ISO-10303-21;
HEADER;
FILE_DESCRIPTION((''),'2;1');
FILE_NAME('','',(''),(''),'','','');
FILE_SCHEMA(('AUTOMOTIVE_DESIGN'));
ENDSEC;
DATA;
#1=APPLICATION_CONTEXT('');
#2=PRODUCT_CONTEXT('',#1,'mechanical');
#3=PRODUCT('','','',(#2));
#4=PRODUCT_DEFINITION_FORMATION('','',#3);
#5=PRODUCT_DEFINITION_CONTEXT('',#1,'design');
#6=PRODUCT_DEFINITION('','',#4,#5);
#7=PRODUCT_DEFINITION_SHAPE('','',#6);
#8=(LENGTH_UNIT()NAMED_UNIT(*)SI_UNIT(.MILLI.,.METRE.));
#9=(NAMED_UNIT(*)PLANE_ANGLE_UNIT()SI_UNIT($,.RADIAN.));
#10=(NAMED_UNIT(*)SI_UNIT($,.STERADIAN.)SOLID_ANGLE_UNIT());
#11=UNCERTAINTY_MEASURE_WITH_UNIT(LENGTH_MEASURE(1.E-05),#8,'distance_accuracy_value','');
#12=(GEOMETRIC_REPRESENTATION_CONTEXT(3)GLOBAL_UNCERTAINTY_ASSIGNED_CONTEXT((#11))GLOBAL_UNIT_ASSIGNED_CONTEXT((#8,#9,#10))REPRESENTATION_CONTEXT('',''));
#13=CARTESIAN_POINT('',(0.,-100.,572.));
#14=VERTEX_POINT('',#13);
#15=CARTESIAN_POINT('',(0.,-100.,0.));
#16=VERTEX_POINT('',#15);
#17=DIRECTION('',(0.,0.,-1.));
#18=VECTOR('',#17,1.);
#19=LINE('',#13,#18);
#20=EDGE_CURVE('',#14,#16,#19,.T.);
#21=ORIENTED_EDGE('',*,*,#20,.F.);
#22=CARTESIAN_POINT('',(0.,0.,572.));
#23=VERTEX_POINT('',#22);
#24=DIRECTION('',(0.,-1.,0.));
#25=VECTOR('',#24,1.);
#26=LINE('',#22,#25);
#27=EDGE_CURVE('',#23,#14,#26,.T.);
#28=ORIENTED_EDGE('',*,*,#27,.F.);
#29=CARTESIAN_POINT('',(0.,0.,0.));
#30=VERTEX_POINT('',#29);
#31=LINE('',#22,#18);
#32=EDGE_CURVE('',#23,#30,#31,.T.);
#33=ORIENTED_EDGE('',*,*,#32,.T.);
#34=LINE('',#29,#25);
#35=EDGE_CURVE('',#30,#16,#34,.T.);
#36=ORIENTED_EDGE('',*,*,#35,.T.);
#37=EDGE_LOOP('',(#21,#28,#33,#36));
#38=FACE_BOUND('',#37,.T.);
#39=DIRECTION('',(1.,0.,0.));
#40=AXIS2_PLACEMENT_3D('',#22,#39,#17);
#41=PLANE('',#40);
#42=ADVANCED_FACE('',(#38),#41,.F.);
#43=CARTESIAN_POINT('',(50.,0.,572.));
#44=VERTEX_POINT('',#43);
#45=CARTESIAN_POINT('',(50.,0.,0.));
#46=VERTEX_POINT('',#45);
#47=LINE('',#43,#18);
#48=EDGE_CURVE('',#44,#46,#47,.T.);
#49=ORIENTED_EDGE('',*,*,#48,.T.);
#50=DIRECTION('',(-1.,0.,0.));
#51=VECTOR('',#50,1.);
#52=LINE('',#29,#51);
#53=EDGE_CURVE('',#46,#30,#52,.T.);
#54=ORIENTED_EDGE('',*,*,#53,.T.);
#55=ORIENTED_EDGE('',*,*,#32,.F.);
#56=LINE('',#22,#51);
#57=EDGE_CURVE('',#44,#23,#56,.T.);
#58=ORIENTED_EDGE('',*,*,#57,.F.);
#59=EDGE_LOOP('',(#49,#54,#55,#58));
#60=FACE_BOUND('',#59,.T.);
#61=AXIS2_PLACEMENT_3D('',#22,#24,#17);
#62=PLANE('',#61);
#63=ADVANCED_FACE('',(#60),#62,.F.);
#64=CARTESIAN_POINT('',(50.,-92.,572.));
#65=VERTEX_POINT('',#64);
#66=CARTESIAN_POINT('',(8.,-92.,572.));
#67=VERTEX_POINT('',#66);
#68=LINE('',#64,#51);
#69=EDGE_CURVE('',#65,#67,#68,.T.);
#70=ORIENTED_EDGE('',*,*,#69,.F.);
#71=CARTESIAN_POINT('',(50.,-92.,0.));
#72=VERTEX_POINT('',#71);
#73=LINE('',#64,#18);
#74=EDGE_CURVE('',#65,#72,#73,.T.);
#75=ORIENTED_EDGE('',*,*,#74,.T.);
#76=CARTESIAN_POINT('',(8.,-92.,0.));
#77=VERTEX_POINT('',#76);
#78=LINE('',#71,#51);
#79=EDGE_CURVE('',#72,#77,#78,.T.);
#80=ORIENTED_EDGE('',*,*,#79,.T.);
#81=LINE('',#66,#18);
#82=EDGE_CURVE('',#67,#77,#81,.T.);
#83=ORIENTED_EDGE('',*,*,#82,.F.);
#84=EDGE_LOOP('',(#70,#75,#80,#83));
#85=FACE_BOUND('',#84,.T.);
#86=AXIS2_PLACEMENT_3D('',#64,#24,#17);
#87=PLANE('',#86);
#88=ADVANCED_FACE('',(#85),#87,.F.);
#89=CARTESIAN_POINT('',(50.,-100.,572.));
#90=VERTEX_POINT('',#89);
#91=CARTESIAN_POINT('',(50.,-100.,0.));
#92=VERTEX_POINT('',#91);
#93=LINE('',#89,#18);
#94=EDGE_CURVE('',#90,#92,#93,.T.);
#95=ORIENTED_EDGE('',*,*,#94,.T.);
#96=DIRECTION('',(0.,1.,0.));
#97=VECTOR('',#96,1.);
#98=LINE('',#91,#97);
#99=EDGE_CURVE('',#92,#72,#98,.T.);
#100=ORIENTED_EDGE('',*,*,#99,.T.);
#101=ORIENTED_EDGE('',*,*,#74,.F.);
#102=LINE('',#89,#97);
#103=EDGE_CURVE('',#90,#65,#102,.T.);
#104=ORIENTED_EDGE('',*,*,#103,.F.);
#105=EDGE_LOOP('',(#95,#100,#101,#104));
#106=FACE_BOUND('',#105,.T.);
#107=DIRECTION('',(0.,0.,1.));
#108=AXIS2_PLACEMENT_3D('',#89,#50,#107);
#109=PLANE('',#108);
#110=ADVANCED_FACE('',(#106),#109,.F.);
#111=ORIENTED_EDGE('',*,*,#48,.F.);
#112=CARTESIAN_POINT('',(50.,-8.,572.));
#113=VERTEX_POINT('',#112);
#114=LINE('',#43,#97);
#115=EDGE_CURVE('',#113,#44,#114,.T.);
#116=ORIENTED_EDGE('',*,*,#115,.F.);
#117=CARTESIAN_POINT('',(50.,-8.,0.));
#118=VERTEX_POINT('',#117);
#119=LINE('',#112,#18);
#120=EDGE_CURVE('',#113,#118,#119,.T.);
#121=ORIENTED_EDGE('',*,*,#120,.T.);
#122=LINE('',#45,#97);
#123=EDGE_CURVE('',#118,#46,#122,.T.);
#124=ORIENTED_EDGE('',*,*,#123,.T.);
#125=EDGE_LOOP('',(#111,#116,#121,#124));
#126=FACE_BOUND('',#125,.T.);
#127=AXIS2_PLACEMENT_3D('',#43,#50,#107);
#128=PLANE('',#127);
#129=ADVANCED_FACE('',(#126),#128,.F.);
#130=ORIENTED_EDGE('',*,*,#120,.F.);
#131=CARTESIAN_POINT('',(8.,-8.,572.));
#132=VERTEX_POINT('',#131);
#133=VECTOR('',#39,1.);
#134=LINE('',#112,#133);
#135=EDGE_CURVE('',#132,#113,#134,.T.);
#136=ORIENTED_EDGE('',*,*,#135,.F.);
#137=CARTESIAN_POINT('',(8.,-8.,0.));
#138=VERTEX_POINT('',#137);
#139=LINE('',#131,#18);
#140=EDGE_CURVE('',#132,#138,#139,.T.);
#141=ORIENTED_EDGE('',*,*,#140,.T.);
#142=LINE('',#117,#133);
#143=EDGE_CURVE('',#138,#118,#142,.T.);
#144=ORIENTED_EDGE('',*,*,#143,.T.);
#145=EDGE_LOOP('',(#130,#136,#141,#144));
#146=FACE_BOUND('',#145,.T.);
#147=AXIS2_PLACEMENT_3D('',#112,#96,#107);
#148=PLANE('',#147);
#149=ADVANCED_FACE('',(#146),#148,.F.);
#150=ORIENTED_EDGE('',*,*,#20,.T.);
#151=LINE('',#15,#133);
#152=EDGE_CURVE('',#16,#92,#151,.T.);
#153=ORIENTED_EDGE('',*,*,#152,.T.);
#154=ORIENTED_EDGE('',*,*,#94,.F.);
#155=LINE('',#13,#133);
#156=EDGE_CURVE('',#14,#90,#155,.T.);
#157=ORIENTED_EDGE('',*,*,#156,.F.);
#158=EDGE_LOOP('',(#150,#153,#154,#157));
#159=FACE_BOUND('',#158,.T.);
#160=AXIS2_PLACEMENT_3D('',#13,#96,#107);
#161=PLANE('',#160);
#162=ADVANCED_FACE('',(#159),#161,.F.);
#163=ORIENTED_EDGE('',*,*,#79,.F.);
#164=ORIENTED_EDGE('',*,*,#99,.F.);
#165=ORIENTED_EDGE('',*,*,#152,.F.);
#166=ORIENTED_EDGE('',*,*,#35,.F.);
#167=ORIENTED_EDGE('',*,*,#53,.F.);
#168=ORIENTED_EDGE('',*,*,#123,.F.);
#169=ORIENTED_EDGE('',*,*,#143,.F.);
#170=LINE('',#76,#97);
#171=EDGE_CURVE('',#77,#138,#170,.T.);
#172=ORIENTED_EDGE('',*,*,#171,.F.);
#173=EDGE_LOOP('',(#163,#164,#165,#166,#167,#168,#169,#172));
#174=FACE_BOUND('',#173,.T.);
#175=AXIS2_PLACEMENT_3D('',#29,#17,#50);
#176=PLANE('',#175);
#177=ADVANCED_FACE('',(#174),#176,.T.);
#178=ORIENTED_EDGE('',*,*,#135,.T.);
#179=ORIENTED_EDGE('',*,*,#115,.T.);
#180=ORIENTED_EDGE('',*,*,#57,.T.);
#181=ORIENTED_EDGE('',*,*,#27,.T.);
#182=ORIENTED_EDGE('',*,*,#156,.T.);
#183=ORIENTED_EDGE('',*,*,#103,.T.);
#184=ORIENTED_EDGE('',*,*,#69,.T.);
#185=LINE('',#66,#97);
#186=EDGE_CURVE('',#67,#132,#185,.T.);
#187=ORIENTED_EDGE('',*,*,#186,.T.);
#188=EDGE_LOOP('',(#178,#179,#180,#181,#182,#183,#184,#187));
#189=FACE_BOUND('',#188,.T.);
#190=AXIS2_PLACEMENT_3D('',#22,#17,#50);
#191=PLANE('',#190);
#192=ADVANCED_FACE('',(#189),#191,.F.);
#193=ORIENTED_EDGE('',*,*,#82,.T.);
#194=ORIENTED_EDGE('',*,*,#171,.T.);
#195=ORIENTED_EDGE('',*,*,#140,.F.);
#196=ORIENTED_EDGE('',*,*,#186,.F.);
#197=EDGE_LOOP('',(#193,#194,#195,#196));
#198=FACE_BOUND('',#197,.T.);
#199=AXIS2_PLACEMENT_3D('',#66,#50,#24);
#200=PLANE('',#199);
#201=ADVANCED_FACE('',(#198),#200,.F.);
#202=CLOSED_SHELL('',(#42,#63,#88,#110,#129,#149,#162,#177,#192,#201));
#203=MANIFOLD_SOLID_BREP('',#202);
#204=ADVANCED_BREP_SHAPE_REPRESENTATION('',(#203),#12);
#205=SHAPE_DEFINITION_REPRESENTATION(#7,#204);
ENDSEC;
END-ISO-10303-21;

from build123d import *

# Parameters (mm, degrees)
BOSS_EXTRUDE1_DEPTH = 572


with BuildPart() as part:
    # Sketch1 → Boss-Extrude1 (new body)
    with BuildSketch(Plane.XY):
        Polygon((0, 0), (0, -100), (50, -100), (50, -92), (8, -92), (8, -8), (50, -8), (50, 0), align=None)
    extrude(amount=BOSS_EXTRUDE1_DEPTH)


solid = part.part
